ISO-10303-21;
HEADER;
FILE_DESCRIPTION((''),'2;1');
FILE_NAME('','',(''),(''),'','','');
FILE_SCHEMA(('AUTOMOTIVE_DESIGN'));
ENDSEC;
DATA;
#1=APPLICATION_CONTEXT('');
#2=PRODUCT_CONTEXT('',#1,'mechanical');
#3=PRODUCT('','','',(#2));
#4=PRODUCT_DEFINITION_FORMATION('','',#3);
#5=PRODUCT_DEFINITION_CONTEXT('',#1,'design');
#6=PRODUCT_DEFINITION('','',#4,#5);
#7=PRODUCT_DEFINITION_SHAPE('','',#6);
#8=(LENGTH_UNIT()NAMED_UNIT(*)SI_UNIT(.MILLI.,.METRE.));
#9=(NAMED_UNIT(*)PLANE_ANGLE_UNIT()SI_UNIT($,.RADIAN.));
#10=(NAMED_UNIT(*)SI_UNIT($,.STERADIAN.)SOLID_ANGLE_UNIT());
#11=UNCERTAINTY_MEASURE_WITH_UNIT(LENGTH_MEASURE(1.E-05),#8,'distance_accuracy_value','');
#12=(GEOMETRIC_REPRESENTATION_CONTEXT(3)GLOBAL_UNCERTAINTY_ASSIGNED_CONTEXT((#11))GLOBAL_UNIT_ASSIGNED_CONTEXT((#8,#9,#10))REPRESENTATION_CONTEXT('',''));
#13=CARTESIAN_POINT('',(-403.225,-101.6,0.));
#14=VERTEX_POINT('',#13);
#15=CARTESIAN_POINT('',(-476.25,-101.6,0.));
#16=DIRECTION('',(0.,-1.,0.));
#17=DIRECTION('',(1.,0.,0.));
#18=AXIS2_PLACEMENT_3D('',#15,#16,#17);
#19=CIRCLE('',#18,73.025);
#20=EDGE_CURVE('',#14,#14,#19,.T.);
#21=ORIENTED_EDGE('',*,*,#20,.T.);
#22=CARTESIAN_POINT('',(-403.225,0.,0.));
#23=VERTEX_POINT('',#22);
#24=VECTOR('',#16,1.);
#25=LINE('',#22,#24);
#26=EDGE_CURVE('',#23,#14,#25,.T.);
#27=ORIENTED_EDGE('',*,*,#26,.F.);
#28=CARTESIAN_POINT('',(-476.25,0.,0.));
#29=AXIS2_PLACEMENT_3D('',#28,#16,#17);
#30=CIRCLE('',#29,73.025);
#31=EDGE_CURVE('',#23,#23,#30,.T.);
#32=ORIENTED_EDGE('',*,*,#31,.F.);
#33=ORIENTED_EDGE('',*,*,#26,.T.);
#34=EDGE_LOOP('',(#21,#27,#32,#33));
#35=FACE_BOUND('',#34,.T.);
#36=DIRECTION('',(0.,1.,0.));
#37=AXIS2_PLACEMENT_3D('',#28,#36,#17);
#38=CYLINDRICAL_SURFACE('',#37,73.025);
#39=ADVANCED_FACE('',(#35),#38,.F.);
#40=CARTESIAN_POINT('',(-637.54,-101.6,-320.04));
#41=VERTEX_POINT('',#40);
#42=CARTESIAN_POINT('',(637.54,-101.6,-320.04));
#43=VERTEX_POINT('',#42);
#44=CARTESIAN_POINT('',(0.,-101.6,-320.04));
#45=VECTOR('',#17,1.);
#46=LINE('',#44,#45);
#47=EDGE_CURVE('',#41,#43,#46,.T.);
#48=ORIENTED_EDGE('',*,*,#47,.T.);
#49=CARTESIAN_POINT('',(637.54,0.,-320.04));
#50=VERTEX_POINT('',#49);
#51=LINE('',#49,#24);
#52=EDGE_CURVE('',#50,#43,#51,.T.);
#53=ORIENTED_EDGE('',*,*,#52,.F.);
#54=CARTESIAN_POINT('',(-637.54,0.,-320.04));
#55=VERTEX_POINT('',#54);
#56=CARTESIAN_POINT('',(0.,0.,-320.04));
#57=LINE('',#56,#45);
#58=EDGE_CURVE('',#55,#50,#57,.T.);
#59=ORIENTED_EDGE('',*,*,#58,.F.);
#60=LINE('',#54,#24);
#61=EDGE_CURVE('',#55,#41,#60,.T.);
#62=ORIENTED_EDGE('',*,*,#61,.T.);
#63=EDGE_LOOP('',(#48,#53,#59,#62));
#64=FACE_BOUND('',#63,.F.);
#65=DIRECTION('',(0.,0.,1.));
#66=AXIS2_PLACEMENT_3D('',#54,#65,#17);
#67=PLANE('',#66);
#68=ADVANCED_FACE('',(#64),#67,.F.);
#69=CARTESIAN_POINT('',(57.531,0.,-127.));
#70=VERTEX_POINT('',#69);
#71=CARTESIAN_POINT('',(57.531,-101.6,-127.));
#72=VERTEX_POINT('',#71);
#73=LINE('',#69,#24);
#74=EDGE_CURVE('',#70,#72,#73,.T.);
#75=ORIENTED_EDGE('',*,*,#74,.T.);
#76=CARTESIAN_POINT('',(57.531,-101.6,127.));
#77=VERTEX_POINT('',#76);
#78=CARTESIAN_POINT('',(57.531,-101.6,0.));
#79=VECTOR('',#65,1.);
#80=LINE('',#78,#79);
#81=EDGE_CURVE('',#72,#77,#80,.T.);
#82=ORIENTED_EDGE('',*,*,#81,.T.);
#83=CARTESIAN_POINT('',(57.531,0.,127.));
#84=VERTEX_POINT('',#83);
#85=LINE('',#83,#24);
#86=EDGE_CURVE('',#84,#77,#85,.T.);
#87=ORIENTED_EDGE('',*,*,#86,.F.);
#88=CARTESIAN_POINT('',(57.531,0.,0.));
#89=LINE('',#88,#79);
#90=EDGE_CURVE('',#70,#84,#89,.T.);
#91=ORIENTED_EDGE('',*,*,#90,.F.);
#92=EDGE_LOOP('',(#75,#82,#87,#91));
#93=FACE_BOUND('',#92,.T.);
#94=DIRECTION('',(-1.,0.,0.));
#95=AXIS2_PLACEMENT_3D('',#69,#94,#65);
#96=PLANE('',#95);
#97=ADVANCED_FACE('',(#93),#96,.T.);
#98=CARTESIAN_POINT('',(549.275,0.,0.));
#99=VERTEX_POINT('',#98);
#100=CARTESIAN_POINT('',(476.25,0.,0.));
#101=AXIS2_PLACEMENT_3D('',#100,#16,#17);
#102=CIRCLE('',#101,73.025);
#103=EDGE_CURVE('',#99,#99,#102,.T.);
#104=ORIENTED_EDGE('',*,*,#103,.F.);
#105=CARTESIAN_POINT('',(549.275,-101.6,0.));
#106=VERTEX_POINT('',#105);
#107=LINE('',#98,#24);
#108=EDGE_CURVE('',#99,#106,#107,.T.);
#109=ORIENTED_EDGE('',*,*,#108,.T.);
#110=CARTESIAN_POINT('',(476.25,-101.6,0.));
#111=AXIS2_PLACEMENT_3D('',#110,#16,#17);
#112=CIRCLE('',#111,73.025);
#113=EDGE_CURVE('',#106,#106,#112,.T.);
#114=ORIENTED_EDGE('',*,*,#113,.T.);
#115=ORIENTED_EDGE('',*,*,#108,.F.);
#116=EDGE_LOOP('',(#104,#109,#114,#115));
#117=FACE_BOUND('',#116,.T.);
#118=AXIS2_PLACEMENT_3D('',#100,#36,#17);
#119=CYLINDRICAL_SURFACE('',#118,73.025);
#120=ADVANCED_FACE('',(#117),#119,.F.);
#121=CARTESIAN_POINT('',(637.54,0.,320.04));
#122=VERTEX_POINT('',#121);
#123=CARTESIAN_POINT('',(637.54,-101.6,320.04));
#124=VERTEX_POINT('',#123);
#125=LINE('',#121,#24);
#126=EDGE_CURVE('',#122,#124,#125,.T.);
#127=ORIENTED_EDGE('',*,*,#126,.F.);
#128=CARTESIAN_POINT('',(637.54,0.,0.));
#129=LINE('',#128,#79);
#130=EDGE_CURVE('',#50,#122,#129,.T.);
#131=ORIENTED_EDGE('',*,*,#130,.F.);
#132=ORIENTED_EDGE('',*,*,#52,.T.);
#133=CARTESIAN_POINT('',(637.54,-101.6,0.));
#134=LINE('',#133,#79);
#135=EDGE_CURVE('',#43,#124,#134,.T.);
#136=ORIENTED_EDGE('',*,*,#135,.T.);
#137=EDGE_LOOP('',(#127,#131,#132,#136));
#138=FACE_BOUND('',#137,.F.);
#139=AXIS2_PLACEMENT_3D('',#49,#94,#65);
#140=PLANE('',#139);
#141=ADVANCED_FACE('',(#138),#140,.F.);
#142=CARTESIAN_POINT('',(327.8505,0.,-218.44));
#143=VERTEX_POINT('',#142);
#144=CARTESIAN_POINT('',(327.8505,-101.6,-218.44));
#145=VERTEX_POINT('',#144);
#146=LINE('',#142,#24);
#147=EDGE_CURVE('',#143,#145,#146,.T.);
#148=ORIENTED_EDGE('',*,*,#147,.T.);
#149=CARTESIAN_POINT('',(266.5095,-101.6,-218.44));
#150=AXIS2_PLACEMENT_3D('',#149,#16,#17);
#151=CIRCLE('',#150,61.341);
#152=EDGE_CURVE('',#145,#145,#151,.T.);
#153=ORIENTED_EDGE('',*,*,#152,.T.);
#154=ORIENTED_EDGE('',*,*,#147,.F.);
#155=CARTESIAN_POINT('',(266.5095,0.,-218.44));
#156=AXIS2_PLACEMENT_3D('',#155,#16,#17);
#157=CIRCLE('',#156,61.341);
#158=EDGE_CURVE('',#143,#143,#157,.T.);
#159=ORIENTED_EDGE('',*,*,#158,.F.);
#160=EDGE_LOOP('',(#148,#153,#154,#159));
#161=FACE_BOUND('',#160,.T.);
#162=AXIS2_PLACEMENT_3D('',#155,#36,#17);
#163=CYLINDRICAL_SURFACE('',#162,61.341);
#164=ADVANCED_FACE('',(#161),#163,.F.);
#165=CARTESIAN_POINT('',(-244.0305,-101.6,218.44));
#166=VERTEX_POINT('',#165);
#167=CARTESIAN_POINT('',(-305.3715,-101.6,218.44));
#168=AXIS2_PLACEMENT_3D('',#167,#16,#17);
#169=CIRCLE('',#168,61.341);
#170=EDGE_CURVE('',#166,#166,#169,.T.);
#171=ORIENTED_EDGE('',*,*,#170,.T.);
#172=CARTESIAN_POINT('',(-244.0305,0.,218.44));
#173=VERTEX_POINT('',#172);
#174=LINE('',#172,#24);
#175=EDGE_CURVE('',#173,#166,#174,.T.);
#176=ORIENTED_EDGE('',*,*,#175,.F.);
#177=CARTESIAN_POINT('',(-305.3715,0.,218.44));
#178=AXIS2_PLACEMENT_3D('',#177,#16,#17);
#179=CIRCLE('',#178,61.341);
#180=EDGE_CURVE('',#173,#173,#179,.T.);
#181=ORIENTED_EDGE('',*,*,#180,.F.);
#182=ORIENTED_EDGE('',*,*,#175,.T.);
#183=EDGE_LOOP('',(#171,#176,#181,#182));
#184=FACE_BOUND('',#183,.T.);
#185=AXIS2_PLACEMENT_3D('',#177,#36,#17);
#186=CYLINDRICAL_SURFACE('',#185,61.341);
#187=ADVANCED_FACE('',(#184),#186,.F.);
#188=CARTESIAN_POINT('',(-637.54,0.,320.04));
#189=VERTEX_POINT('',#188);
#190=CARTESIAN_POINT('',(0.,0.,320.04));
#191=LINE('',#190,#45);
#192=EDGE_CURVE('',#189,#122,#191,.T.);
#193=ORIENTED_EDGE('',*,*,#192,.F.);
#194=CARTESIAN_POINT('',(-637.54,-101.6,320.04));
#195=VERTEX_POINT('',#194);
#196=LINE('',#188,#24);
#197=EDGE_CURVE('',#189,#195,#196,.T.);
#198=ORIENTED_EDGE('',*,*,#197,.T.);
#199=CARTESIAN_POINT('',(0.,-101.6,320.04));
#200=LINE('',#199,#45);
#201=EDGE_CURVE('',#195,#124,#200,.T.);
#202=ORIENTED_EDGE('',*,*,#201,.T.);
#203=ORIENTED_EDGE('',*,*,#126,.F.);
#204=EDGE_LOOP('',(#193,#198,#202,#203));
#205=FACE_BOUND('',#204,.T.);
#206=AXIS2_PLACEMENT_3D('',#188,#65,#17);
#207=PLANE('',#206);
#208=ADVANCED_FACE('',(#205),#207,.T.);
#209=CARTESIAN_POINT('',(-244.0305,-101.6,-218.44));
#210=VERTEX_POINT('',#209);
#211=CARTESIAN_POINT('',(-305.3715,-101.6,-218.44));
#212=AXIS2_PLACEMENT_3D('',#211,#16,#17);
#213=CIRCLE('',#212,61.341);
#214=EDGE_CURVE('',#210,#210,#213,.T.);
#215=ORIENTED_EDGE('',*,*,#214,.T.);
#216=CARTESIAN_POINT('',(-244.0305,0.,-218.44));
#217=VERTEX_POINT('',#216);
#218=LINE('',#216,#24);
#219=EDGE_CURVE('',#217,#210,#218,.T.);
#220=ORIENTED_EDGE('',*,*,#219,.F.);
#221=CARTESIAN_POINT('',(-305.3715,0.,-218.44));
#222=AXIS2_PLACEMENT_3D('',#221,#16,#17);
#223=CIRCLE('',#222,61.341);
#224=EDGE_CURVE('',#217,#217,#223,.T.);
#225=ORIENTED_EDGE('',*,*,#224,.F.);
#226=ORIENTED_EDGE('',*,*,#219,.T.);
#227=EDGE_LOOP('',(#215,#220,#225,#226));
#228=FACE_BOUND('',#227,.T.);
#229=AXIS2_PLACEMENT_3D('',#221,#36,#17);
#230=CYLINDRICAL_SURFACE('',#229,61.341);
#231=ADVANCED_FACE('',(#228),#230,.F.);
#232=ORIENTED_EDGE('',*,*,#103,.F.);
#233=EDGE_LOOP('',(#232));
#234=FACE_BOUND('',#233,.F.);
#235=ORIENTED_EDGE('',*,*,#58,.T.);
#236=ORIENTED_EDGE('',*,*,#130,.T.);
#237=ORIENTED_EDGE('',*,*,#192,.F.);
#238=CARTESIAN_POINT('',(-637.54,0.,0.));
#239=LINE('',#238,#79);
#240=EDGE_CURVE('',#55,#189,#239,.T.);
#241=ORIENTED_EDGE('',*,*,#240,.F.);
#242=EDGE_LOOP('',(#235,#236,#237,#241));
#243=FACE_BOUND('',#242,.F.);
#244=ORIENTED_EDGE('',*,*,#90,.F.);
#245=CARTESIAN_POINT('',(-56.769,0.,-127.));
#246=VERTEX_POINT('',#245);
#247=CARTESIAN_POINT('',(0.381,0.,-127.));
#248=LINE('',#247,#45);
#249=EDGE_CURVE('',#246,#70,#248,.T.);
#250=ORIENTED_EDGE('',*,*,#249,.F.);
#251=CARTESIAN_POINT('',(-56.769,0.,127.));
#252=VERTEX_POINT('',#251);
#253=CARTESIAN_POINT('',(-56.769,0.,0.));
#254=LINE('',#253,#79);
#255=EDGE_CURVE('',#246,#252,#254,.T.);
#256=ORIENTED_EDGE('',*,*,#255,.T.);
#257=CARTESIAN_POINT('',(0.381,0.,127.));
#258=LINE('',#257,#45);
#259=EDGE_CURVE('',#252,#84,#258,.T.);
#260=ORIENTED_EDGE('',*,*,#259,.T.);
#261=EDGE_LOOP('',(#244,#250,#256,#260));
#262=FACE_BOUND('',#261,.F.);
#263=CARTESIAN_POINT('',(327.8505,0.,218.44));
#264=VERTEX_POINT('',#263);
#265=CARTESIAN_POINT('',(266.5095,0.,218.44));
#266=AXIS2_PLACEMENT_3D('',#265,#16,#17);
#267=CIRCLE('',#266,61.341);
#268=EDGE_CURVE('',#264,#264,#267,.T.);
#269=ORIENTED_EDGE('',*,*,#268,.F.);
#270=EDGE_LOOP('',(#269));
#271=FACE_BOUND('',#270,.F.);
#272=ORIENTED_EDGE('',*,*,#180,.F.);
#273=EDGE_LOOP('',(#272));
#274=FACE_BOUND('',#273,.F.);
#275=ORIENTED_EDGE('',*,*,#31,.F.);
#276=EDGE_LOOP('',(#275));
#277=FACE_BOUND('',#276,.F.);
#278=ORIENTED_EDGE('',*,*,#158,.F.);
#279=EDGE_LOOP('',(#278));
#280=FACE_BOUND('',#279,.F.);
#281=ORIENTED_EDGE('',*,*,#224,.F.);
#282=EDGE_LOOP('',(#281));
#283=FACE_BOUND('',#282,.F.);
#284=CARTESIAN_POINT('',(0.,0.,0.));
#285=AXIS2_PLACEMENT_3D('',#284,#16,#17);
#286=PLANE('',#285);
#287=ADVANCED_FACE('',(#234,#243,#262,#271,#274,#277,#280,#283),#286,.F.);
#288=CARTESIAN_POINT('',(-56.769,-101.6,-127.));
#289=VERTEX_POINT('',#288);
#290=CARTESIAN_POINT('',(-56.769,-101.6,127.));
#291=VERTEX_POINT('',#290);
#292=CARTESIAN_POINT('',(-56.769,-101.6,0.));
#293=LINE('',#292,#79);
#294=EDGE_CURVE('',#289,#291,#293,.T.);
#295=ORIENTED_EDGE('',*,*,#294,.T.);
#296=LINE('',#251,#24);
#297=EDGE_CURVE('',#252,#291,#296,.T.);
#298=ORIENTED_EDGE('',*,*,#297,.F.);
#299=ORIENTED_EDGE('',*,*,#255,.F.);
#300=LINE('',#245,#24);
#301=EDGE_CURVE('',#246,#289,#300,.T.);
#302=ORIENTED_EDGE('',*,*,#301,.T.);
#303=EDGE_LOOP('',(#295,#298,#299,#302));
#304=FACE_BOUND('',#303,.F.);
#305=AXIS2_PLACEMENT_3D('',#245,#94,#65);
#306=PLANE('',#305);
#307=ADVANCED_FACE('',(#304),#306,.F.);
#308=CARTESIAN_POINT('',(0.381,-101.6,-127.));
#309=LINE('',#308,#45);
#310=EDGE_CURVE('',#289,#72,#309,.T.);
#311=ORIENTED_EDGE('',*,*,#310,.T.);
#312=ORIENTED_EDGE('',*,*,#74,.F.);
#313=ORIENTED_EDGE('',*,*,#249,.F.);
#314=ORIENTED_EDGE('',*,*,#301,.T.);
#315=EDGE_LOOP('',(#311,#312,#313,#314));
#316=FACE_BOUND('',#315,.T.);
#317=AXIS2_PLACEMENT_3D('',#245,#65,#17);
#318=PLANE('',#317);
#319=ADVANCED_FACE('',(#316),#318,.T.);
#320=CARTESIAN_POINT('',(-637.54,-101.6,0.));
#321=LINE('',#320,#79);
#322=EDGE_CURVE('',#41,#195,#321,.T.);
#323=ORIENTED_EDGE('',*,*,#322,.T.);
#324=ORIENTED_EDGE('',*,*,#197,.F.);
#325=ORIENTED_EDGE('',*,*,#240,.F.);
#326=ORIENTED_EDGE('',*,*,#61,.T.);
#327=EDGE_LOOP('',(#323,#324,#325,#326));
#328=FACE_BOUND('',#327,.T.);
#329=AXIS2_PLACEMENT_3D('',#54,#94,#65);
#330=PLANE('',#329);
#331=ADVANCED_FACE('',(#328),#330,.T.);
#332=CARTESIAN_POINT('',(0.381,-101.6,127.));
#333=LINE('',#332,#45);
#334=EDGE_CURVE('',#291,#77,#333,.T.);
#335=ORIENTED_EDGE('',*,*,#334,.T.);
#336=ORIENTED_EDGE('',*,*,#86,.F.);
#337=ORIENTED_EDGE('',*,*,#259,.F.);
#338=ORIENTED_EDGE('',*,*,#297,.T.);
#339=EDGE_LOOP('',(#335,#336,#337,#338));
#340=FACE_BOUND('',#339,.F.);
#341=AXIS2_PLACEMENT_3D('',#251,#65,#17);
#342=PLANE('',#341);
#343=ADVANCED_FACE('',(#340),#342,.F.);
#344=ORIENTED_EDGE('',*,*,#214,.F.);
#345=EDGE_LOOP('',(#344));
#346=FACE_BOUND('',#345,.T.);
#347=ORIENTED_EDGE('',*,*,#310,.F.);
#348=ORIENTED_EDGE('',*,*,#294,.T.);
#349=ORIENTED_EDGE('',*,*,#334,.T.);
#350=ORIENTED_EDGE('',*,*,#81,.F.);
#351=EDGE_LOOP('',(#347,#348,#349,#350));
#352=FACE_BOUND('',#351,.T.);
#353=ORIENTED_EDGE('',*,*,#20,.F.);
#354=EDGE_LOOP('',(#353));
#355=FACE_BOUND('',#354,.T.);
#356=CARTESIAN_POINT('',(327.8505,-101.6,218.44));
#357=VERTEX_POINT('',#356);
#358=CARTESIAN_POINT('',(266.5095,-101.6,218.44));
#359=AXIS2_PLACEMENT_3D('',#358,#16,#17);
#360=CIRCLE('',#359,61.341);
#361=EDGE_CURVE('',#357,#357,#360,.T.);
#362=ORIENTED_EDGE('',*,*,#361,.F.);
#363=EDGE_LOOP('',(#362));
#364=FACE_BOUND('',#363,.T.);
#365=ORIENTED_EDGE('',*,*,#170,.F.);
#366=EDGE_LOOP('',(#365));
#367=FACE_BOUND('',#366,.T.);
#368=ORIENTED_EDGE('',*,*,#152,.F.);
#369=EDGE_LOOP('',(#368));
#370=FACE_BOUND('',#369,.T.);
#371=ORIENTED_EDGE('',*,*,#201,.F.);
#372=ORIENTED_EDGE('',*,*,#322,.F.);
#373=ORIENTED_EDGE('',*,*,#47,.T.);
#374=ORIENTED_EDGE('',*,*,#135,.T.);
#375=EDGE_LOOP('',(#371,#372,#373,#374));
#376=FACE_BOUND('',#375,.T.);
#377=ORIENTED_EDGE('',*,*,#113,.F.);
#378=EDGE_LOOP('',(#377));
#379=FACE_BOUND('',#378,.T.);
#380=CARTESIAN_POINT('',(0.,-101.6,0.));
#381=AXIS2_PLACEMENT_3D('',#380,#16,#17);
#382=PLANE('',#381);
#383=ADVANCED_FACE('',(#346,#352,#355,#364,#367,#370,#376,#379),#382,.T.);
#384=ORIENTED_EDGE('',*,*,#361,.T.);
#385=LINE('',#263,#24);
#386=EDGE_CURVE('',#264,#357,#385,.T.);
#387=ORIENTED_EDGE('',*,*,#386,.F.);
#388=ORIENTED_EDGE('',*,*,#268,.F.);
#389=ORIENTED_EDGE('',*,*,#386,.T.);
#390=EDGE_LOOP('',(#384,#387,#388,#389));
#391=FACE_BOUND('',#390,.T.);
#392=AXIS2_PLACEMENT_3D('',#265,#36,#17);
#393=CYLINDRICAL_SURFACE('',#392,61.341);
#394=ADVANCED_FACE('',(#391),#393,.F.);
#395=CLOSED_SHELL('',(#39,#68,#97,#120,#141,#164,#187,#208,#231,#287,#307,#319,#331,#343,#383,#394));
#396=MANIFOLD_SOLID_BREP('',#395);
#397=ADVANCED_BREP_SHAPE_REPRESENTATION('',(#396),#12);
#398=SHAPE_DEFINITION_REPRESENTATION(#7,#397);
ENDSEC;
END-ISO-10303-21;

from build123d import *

# Parameters (mm, degrees)
F0_W     = 1275.08
F0_H     = 640.08
F0_R     = 61.341
F0_R_2   = 73.025
F0_W_2   = 114.3
F0_H_2   = 254
F1_DEPTH = 101.6


with BuildPart() as f1:
    # F0 (on Front) → F1 (new body)
    with BuildSketch(Plane.XZ):
        Rectangle(F0_W, F0_H)
        with Locations((-305.3715, -218.44)):
            Circle(F0_R, mode=Mode.SUBTRACT)
        with Locations((266.5095, -218.44)):
            Circle(F0_R, mode=Mode.SUBTRACT)
        with Locations((-476.25, 0)):
            Circle(F0_R_2, mode=Mode.SUBTRACT)
        with Locations((-305.3715, 218.44)):
            Circle(F0_R, mode=Mode.SUBTRACT)
        with Locations((0.381, 0)):
            Rectangle(F0_W_2, F0_H_2, mode=Mode.SUBTRACT)
        with Locations((476.25, 0)):
            Circle(F0_R_2, mode=Mode.SUBTRACT)
        with Locations((266.5095, 218.44)):
            Circle(F0_R, mode=Mode.SUBTRACT)
    extrude(amount=F1_DEPTH)


solid = f1.part
